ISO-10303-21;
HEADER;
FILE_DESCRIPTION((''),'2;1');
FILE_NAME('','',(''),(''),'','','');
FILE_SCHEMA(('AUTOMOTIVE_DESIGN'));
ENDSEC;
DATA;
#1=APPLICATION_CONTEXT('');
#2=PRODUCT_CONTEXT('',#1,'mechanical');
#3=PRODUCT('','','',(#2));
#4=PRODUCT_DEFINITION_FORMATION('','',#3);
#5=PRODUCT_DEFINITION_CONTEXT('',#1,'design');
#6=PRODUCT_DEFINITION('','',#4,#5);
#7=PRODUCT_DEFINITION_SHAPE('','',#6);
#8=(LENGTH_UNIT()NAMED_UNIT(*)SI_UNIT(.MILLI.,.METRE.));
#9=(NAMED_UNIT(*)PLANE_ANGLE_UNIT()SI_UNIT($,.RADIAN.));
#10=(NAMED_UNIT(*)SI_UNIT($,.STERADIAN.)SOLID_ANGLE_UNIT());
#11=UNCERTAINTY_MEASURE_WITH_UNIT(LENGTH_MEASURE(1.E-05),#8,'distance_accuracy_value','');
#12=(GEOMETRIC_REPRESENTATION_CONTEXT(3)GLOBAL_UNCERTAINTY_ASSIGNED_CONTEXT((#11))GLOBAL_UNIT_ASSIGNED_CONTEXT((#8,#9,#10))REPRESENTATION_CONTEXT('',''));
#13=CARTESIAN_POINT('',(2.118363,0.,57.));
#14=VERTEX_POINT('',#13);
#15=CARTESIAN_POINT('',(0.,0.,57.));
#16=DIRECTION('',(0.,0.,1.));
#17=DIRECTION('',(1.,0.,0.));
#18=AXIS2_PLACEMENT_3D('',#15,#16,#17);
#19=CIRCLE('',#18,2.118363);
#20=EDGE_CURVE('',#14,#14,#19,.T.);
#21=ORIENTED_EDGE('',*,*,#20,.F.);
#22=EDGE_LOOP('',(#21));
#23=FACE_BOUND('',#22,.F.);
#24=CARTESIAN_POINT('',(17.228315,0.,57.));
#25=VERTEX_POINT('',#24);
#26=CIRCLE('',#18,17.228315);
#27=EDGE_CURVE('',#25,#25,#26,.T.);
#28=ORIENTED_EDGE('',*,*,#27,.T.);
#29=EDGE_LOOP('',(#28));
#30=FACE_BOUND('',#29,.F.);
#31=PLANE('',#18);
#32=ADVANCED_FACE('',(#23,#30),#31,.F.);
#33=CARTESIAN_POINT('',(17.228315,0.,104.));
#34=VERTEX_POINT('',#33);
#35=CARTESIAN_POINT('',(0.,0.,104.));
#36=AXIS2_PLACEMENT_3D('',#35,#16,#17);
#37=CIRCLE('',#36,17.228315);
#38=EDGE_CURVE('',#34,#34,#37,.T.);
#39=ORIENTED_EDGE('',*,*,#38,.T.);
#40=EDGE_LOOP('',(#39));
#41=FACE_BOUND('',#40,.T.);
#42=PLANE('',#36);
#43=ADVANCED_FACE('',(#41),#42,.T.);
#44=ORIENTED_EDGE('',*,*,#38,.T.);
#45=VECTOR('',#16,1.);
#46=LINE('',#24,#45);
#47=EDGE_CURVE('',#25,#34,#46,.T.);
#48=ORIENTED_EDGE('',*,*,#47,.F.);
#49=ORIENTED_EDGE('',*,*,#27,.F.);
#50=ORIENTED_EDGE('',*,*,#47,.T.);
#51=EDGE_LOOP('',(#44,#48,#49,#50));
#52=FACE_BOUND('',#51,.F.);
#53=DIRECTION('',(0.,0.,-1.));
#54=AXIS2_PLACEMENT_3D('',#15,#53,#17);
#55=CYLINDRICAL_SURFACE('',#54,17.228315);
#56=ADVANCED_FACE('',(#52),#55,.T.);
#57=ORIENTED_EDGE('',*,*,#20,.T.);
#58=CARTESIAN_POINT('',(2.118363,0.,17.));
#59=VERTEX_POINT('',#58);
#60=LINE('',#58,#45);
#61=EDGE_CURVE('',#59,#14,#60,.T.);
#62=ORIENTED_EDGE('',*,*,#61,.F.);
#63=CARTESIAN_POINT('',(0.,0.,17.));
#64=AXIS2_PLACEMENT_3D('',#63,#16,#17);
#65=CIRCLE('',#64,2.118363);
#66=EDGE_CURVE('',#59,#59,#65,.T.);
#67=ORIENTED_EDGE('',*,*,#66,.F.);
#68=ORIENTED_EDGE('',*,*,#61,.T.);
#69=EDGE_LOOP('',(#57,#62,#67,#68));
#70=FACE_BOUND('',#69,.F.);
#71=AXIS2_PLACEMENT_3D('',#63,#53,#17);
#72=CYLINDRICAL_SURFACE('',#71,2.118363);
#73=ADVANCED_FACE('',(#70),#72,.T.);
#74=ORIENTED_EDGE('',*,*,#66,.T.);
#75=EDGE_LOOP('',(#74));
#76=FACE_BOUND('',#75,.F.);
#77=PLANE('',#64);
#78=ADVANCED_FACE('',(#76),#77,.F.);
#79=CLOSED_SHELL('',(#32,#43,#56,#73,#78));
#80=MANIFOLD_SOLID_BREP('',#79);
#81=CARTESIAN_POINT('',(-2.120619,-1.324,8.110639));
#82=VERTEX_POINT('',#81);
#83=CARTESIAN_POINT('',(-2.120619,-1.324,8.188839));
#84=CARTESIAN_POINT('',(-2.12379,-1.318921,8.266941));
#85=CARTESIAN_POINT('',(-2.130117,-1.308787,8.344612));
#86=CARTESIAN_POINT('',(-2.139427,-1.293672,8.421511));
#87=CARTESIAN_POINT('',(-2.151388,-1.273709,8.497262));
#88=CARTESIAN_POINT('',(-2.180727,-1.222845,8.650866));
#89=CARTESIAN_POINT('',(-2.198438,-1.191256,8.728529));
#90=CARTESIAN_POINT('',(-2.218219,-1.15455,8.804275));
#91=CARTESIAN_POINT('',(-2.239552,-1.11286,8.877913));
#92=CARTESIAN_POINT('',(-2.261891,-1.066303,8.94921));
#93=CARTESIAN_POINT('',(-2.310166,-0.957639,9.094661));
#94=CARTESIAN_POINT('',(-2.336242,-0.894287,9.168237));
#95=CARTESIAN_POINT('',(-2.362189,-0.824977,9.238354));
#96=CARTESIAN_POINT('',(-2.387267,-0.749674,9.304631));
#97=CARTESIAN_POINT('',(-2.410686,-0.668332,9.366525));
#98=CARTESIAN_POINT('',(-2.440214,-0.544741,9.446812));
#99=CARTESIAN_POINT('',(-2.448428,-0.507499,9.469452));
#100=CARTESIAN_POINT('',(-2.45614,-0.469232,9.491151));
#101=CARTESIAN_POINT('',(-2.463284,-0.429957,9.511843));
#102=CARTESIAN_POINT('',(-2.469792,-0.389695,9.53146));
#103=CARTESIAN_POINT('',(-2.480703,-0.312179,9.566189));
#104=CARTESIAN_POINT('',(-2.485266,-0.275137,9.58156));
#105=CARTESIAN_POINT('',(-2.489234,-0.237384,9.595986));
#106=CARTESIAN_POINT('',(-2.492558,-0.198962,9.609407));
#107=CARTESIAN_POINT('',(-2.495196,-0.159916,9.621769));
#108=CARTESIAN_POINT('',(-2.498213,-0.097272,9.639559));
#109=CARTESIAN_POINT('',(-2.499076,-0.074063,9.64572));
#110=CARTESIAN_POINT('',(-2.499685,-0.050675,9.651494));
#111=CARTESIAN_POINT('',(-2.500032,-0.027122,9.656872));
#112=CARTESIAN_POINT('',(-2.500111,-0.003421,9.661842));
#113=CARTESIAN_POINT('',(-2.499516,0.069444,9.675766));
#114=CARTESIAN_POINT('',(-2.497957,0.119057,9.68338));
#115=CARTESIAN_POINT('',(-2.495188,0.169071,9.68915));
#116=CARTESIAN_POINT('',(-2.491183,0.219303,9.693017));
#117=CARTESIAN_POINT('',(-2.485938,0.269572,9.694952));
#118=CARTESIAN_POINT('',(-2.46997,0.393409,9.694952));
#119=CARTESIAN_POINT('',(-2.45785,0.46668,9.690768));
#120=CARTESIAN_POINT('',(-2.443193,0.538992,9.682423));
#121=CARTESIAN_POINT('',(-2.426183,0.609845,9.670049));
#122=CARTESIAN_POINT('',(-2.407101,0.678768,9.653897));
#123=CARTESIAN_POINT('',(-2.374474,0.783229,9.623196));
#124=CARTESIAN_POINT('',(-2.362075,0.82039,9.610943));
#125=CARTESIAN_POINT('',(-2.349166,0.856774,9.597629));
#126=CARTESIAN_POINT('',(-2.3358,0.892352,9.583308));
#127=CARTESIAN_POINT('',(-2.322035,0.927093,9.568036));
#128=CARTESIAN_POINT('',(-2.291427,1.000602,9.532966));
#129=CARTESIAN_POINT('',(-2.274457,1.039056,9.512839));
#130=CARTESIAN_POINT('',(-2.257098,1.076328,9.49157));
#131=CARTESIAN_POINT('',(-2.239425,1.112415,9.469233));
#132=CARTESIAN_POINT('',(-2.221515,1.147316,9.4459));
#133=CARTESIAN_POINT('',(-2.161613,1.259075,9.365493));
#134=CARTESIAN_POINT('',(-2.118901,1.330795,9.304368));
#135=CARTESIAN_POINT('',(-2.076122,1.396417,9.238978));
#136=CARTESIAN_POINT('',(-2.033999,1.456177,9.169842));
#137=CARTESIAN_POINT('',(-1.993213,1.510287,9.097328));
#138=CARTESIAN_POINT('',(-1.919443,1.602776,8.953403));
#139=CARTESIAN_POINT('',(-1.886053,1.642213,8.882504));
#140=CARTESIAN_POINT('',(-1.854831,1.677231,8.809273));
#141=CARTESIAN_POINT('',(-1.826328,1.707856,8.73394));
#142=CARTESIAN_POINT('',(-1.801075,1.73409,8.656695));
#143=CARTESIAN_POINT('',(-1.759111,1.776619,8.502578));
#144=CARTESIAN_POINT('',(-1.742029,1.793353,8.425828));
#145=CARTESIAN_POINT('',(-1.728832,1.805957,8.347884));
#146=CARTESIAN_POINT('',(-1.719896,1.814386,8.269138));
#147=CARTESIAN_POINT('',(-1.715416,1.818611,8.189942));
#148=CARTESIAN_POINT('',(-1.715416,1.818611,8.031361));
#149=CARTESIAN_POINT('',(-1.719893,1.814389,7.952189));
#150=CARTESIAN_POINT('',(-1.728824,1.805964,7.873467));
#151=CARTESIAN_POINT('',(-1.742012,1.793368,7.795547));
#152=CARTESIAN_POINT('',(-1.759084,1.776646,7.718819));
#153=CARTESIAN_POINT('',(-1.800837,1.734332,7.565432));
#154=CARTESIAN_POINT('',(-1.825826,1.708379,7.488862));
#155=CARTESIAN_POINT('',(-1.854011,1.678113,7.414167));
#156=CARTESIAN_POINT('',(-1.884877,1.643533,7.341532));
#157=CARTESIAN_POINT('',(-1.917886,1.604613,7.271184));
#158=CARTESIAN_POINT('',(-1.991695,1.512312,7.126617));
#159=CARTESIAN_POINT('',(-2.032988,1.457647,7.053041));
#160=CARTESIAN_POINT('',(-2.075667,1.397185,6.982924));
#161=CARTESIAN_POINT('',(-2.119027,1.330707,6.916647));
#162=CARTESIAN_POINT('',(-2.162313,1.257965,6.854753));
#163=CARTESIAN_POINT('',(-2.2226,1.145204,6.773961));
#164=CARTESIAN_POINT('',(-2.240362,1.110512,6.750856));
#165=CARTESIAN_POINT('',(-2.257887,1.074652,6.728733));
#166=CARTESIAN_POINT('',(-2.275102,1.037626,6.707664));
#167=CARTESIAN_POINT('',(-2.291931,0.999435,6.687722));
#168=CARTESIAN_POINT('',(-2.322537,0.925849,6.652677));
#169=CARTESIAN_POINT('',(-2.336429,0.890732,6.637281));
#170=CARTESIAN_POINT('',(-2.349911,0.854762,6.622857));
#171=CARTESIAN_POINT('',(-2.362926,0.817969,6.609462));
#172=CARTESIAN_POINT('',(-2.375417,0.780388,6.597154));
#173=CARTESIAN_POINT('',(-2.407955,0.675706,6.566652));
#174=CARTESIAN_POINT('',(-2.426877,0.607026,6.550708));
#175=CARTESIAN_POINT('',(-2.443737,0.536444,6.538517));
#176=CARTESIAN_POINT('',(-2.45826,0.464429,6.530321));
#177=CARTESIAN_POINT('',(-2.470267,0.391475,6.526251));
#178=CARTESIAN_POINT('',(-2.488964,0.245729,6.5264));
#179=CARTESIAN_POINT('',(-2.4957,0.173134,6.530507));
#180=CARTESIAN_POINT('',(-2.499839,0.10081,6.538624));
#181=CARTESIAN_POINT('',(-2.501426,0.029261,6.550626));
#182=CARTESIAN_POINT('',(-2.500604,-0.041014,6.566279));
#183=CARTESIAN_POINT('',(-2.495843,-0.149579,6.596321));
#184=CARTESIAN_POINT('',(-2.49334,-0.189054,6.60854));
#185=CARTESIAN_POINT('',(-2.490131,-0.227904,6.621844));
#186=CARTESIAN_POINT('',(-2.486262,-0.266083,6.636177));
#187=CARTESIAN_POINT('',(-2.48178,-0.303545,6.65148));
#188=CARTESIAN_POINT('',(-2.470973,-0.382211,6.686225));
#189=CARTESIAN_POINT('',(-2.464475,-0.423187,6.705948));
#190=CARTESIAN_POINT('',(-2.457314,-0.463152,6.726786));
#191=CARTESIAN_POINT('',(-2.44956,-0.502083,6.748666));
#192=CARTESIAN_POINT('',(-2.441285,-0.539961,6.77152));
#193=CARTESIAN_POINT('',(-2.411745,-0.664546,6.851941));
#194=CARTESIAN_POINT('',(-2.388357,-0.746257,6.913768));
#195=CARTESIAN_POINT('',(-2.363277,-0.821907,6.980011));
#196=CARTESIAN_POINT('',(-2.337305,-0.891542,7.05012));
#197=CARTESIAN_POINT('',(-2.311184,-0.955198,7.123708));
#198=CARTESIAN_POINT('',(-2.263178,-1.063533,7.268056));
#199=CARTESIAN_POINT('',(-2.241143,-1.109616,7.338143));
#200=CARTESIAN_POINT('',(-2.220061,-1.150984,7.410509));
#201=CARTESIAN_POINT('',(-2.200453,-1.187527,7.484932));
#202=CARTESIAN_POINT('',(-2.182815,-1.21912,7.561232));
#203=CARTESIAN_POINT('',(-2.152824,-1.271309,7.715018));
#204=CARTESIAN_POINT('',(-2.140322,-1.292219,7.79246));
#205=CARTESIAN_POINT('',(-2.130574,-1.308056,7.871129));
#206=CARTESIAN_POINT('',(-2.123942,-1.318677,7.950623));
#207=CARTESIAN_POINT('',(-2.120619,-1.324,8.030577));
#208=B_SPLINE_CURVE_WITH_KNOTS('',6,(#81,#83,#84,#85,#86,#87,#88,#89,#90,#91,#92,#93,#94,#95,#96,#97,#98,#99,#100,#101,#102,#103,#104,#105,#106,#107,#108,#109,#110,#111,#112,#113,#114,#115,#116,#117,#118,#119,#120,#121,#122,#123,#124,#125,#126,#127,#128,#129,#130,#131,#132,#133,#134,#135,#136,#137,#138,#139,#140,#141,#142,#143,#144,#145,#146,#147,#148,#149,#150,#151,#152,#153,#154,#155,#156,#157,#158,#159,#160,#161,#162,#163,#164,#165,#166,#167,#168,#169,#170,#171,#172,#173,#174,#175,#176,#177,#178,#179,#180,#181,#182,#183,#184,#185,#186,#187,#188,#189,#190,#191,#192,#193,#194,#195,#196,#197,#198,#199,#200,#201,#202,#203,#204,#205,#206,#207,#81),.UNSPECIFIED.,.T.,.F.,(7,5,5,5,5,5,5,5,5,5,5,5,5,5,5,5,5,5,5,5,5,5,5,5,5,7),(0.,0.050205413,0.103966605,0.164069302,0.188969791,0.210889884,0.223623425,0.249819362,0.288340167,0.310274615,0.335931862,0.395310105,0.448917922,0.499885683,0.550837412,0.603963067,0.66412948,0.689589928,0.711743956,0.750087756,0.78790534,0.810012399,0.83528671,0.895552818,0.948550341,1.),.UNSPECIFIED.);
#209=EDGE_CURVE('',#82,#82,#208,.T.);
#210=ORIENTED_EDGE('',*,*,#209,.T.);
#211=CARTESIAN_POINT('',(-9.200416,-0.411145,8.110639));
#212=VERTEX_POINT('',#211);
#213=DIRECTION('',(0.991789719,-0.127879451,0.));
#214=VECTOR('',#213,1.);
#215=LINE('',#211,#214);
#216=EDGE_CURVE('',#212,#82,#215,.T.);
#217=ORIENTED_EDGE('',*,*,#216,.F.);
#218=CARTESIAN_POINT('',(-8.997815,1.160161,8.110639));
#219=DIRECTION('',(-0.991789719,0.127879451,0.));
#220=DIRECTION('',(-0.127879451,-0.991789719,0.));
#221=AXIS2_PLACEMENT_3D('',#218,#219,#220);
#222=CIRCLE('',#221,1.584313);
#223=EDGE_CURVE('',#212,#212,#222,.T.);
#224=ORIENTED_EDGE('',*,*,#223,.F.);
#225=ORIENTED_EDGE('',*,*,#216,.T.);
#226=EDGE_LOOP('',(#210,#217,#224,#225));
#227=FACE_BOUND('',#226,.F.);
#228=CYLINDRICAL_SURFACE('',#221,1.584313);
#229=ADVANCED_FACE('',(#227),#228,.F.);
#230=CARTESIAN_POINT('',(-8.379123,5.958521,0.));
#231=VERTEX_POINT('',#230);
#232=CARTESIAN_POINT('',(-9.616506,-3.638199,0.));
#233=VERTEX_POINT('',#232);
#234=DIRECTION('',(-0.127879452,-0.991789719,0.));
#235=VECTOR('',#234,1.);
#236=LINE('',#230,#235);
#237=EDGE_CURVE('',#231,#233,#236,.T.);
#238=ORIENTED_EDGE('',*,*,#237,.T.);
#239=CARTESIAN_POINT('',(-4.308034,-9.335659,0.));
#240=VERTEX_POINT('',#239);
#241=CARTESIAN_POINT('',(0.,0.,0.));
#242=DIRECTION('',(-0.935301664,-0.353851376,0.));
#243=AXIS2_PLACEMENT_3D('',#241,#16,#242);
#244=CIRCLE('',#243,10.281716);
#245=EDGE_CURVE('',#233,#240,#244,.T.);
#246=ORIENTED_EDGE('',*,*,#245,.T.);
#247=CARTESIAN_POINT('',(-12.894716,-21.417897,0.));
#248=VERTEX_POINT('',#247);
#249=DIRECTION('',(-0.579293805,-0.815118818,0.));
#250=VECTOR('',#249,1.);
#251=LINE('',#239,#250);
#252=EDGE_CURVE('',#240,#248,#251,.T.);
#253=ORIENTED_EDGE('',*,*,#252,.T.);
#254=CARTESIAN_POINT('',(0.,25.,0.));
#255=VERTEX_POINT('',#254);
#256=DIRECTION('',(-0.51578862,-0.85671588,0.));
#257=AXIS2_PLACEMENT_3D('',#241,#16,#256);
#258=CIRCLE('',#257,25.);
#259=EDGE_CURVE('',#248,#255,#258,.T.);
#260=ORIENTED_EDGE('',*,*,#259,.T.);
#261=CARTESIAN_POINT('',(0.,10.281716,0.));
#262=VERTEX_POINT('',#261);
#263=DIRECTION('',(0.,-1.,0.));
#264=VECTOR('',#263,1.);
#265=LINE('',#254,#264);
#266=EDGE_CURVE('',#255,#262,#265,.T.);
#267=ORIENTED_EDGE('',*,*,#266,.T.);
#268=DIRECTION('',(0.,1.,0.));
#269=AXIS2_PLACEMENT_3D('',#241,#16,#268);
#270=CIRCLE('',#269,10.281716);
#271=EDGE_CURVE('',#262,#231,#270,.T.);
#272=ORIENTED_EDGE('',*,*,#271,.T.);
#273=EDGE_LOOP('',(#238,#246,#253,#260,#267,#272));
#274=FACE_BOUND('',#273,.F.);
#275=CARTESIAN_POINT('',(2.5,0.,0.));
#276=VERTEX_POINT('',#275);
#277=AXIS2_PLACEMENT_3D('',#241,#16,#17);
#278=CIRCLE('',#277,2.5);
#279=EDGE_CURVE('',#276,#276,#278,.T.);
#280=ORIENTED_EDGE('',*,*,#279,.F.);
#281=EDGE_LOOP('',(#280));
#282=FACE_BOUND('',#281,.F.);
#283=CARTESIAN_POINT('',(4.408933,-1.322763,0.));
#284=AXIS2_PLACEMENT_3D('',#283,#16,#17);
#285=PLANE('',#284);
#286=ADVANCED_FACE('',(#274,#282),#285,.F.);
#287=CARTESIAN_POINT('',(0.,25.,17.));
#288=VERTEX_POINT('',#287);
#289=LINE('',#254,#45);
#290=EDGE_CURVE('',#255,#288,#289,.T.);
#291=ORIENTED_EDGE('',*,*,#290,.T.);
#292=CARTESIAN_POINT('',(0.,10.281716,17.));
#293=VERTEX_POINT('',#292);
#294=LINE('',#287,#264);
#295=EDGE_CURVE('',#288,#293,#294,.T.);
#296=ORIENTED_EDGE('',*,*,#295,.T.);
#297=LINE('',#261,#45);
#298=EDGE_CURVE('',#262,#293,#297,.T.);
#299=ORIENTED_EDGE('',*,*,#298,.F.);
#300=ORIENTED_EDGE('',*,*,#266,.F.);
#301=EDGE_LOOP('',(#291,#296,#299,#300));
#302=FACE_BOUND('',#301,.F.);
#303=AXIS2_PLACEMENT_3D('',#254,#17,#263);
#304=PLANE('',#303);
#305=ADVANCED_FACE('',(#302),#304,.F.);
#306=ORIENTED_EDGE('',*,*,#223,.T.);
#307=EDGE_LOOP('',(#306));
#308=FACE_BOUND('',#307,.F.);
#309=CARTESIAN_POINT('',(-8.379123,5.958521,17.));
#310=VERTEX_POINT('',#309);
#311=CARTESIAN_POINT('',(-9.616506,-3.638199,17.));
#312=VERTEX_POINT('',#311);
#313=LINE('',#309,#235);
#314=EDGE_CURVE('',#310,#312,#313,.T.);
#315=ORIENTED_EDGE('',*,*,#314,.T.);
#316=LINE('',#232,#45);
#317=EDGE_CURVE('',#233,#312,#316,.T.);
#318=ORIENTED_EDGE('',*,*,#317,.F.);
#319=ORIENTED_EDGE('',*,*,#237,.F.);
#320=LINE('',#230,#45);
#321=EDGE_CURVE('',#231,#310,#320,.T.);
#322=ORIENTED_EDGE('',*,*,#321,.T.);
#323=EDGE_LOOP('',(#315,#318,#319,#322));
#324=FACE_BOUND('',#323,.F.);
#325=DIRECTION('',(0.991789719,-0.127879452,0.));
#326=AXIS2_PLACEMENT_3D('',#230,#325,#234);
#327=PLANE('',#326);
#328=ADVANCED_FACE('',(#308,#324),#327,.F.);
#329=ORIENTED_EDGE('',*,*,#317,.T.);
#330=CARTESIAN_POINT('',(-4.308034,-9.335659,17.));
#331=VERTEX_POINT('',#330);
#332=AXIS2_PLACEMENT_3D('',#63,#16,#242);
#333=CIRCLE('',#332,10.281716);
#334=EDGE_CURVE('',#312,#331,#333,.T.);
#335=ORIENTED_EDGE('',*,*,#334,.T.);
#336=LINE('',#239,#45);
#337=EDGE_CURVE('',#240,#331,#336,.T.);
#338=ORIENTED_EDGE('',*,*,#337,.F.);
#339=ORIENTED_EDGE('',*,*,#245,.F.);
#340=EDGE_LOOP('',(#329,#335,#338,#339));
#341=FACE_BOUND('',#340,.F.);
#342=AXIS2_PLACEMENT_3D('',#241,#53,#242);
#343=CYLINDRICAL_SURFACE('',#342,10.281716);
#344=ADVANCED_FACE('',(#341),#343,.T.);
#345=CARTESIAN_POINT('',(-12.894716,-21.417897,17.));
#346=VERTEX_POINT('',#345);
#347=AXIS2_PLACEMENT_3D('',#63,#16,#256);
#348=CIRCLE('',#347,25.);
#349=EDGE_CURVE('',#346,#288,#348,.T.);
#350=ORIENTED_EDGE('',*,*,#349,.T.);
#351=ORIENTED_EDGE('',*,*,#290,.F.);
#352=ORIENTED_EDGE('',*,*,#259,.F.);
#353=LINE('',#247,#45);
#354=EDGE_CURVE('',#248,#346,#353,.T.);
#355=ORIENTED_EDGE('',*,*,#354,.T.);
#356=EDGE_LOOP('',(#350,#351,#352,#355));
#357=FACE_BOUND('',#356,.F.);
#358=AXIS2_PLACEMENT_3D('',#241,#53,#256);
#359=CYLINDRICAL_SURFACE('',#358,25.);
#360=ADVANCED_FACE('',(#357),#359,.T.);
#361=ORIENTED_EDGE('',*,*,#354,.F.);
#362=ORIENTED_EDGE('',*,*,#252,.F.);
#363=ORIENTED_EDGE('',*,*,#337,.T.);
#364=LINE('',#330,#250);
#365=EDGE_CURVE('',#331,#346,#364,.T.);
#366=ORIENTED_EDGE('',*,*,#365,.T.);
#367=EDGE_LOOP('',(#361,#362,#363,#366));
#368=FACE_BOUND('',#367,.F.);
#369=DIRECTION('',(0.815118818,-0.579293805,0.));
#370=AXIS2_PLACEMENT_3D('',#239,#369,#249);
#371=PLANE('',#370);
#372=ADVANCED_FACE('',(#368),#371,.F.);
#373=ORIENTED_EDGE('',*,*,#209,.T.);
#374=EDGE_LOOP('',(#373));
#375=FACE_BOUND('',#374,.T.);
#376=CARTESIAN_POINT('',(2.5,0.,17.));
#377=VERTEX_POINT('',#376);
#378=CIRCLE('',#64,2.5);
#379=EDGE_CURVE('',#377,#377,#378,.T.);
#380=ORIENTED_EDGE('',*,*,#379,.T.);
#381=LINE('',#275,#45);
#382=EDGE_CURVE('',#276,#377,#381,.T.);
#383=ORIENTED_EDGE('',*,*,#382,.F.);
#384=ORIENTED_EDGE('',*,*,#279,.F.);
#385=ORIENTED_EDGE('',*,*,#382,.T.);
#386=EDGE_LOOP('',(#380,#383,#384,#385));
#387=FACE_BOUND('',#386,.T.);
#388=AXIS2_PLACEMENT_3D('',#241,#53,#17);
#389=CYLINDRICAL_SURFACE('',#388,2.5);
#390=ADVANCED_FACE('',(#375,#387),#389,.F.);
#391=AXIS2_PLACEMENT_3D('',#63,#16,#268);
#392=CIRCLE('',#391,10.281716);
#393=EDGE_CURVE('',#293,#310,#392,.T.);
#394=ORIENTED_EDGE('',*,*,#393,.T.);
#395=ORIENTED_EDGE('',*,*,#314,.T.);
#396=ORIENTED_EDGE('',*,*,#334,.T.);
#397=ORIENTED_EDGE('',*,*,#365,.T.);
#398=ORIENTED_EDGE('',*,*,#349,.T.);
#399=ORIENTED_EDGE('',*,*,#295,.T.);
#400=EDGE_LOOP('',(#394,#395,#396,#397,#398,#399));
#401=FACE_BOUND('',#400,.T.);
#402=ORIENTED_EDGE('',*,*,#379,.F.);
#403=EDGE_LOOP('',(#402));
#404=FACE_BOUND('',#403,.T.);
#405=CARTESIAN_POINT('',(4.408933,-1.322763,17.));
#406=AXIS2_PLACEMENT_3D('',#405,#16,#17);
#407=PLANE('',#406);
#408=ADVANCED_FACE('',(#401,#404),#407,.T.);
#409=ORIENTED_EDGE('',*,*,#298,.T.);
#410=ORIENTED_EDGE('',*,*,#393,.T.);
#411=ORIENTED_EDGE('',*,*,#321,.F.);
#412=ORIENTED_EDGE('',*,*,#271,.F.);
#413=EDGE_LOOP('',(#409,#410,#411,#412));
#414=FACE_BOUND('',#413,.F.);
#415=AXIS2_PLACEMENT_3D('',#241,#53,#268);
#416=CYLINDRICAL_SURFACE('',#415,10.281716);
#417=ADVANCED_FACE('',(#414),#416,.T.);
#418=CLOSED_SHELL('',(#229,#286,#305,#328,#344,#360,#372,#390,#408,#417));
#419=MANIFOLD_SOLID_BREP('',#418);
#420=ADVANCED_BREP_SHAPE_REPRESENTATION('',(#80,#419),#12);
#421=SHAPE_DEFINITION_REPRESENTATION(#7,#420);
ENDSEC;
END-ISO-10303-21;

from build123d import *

# Parameters (mm, degrees)
F0_R     = 2.5
F1_DEPTH = 17
F2_R     = 2.1183628734
F3_DEPTH = 40
F4_R     = 17.2283151163
F4_R_2   = 2.1183628734
F5_DEPTH = 47
F6_R     = 1.5843133583
F7_DEPTH = 7.1394056178


with BuildPart() as f1:
    # F0 (on Top) → F1 (new body)
    with BuildSketch(Plane.XY):
        with BuildLine():
            Line((-4.3080339444, -9.3356588295), (-12.8947155097, -21.4178970005))
            ThreePointArc((-12.8947155097, -21.4178970005), (24.0878332879, -6.6915086112), (0, 25))
            Line((0, 25), (0, 10.2817159194))
            ThreePointArc((0, 10.2817159194), (-4.7143324855, 9.1372179279), (-8.3791234153, 5.9585210444))
            Line((-8.3791234153, 5.9585210444), (-9.6165060123, -3.6381993296))
            ThreePointArc((-9.6165060123, -3.6381993296), (-7.5225304545, -7.0089384223), (-4.3080339444, -9.3356588295))
        make_face()
        Circle(F0_R, mode=Mode.SUBTRACT)
    extrude(amount=F1_DEPTH)

    # F6 (on face) → F7 (cut, through all)
    with BuildSketch(Plane(origin=(-8.9978147138, 1.1601608574, 0), x_dir=(-0.1278794515, -0.9917897186, 0), z_dir=(-0.9917897186, 0.1278794515, 0))):
        with Locations((0, 8.1106387079)):
            Circle(F6_R)
    extrude(amount=-F7_DEPTH, mode=Mode.SUBTRACT)


with BuildPart() as f3:
    # F2 (on face) → F3 (new body)
    with BuildSketch(Plane.XY.offset(17)):
        Circle(F2_R)
    extrude(amount=F3_DEPTH)

    # F4 (on face) → F5 (join)
    with BuildSketch(Plane.XY.offset(57)):
        Circle(F4_R)
        Circle(F4_R_2, mode=Mode.SUBTRACT)
        Circle(F4_R_2)
    extrude(amount=F5_DEPTH)


solid = Compound([f1.part, f3.part])
